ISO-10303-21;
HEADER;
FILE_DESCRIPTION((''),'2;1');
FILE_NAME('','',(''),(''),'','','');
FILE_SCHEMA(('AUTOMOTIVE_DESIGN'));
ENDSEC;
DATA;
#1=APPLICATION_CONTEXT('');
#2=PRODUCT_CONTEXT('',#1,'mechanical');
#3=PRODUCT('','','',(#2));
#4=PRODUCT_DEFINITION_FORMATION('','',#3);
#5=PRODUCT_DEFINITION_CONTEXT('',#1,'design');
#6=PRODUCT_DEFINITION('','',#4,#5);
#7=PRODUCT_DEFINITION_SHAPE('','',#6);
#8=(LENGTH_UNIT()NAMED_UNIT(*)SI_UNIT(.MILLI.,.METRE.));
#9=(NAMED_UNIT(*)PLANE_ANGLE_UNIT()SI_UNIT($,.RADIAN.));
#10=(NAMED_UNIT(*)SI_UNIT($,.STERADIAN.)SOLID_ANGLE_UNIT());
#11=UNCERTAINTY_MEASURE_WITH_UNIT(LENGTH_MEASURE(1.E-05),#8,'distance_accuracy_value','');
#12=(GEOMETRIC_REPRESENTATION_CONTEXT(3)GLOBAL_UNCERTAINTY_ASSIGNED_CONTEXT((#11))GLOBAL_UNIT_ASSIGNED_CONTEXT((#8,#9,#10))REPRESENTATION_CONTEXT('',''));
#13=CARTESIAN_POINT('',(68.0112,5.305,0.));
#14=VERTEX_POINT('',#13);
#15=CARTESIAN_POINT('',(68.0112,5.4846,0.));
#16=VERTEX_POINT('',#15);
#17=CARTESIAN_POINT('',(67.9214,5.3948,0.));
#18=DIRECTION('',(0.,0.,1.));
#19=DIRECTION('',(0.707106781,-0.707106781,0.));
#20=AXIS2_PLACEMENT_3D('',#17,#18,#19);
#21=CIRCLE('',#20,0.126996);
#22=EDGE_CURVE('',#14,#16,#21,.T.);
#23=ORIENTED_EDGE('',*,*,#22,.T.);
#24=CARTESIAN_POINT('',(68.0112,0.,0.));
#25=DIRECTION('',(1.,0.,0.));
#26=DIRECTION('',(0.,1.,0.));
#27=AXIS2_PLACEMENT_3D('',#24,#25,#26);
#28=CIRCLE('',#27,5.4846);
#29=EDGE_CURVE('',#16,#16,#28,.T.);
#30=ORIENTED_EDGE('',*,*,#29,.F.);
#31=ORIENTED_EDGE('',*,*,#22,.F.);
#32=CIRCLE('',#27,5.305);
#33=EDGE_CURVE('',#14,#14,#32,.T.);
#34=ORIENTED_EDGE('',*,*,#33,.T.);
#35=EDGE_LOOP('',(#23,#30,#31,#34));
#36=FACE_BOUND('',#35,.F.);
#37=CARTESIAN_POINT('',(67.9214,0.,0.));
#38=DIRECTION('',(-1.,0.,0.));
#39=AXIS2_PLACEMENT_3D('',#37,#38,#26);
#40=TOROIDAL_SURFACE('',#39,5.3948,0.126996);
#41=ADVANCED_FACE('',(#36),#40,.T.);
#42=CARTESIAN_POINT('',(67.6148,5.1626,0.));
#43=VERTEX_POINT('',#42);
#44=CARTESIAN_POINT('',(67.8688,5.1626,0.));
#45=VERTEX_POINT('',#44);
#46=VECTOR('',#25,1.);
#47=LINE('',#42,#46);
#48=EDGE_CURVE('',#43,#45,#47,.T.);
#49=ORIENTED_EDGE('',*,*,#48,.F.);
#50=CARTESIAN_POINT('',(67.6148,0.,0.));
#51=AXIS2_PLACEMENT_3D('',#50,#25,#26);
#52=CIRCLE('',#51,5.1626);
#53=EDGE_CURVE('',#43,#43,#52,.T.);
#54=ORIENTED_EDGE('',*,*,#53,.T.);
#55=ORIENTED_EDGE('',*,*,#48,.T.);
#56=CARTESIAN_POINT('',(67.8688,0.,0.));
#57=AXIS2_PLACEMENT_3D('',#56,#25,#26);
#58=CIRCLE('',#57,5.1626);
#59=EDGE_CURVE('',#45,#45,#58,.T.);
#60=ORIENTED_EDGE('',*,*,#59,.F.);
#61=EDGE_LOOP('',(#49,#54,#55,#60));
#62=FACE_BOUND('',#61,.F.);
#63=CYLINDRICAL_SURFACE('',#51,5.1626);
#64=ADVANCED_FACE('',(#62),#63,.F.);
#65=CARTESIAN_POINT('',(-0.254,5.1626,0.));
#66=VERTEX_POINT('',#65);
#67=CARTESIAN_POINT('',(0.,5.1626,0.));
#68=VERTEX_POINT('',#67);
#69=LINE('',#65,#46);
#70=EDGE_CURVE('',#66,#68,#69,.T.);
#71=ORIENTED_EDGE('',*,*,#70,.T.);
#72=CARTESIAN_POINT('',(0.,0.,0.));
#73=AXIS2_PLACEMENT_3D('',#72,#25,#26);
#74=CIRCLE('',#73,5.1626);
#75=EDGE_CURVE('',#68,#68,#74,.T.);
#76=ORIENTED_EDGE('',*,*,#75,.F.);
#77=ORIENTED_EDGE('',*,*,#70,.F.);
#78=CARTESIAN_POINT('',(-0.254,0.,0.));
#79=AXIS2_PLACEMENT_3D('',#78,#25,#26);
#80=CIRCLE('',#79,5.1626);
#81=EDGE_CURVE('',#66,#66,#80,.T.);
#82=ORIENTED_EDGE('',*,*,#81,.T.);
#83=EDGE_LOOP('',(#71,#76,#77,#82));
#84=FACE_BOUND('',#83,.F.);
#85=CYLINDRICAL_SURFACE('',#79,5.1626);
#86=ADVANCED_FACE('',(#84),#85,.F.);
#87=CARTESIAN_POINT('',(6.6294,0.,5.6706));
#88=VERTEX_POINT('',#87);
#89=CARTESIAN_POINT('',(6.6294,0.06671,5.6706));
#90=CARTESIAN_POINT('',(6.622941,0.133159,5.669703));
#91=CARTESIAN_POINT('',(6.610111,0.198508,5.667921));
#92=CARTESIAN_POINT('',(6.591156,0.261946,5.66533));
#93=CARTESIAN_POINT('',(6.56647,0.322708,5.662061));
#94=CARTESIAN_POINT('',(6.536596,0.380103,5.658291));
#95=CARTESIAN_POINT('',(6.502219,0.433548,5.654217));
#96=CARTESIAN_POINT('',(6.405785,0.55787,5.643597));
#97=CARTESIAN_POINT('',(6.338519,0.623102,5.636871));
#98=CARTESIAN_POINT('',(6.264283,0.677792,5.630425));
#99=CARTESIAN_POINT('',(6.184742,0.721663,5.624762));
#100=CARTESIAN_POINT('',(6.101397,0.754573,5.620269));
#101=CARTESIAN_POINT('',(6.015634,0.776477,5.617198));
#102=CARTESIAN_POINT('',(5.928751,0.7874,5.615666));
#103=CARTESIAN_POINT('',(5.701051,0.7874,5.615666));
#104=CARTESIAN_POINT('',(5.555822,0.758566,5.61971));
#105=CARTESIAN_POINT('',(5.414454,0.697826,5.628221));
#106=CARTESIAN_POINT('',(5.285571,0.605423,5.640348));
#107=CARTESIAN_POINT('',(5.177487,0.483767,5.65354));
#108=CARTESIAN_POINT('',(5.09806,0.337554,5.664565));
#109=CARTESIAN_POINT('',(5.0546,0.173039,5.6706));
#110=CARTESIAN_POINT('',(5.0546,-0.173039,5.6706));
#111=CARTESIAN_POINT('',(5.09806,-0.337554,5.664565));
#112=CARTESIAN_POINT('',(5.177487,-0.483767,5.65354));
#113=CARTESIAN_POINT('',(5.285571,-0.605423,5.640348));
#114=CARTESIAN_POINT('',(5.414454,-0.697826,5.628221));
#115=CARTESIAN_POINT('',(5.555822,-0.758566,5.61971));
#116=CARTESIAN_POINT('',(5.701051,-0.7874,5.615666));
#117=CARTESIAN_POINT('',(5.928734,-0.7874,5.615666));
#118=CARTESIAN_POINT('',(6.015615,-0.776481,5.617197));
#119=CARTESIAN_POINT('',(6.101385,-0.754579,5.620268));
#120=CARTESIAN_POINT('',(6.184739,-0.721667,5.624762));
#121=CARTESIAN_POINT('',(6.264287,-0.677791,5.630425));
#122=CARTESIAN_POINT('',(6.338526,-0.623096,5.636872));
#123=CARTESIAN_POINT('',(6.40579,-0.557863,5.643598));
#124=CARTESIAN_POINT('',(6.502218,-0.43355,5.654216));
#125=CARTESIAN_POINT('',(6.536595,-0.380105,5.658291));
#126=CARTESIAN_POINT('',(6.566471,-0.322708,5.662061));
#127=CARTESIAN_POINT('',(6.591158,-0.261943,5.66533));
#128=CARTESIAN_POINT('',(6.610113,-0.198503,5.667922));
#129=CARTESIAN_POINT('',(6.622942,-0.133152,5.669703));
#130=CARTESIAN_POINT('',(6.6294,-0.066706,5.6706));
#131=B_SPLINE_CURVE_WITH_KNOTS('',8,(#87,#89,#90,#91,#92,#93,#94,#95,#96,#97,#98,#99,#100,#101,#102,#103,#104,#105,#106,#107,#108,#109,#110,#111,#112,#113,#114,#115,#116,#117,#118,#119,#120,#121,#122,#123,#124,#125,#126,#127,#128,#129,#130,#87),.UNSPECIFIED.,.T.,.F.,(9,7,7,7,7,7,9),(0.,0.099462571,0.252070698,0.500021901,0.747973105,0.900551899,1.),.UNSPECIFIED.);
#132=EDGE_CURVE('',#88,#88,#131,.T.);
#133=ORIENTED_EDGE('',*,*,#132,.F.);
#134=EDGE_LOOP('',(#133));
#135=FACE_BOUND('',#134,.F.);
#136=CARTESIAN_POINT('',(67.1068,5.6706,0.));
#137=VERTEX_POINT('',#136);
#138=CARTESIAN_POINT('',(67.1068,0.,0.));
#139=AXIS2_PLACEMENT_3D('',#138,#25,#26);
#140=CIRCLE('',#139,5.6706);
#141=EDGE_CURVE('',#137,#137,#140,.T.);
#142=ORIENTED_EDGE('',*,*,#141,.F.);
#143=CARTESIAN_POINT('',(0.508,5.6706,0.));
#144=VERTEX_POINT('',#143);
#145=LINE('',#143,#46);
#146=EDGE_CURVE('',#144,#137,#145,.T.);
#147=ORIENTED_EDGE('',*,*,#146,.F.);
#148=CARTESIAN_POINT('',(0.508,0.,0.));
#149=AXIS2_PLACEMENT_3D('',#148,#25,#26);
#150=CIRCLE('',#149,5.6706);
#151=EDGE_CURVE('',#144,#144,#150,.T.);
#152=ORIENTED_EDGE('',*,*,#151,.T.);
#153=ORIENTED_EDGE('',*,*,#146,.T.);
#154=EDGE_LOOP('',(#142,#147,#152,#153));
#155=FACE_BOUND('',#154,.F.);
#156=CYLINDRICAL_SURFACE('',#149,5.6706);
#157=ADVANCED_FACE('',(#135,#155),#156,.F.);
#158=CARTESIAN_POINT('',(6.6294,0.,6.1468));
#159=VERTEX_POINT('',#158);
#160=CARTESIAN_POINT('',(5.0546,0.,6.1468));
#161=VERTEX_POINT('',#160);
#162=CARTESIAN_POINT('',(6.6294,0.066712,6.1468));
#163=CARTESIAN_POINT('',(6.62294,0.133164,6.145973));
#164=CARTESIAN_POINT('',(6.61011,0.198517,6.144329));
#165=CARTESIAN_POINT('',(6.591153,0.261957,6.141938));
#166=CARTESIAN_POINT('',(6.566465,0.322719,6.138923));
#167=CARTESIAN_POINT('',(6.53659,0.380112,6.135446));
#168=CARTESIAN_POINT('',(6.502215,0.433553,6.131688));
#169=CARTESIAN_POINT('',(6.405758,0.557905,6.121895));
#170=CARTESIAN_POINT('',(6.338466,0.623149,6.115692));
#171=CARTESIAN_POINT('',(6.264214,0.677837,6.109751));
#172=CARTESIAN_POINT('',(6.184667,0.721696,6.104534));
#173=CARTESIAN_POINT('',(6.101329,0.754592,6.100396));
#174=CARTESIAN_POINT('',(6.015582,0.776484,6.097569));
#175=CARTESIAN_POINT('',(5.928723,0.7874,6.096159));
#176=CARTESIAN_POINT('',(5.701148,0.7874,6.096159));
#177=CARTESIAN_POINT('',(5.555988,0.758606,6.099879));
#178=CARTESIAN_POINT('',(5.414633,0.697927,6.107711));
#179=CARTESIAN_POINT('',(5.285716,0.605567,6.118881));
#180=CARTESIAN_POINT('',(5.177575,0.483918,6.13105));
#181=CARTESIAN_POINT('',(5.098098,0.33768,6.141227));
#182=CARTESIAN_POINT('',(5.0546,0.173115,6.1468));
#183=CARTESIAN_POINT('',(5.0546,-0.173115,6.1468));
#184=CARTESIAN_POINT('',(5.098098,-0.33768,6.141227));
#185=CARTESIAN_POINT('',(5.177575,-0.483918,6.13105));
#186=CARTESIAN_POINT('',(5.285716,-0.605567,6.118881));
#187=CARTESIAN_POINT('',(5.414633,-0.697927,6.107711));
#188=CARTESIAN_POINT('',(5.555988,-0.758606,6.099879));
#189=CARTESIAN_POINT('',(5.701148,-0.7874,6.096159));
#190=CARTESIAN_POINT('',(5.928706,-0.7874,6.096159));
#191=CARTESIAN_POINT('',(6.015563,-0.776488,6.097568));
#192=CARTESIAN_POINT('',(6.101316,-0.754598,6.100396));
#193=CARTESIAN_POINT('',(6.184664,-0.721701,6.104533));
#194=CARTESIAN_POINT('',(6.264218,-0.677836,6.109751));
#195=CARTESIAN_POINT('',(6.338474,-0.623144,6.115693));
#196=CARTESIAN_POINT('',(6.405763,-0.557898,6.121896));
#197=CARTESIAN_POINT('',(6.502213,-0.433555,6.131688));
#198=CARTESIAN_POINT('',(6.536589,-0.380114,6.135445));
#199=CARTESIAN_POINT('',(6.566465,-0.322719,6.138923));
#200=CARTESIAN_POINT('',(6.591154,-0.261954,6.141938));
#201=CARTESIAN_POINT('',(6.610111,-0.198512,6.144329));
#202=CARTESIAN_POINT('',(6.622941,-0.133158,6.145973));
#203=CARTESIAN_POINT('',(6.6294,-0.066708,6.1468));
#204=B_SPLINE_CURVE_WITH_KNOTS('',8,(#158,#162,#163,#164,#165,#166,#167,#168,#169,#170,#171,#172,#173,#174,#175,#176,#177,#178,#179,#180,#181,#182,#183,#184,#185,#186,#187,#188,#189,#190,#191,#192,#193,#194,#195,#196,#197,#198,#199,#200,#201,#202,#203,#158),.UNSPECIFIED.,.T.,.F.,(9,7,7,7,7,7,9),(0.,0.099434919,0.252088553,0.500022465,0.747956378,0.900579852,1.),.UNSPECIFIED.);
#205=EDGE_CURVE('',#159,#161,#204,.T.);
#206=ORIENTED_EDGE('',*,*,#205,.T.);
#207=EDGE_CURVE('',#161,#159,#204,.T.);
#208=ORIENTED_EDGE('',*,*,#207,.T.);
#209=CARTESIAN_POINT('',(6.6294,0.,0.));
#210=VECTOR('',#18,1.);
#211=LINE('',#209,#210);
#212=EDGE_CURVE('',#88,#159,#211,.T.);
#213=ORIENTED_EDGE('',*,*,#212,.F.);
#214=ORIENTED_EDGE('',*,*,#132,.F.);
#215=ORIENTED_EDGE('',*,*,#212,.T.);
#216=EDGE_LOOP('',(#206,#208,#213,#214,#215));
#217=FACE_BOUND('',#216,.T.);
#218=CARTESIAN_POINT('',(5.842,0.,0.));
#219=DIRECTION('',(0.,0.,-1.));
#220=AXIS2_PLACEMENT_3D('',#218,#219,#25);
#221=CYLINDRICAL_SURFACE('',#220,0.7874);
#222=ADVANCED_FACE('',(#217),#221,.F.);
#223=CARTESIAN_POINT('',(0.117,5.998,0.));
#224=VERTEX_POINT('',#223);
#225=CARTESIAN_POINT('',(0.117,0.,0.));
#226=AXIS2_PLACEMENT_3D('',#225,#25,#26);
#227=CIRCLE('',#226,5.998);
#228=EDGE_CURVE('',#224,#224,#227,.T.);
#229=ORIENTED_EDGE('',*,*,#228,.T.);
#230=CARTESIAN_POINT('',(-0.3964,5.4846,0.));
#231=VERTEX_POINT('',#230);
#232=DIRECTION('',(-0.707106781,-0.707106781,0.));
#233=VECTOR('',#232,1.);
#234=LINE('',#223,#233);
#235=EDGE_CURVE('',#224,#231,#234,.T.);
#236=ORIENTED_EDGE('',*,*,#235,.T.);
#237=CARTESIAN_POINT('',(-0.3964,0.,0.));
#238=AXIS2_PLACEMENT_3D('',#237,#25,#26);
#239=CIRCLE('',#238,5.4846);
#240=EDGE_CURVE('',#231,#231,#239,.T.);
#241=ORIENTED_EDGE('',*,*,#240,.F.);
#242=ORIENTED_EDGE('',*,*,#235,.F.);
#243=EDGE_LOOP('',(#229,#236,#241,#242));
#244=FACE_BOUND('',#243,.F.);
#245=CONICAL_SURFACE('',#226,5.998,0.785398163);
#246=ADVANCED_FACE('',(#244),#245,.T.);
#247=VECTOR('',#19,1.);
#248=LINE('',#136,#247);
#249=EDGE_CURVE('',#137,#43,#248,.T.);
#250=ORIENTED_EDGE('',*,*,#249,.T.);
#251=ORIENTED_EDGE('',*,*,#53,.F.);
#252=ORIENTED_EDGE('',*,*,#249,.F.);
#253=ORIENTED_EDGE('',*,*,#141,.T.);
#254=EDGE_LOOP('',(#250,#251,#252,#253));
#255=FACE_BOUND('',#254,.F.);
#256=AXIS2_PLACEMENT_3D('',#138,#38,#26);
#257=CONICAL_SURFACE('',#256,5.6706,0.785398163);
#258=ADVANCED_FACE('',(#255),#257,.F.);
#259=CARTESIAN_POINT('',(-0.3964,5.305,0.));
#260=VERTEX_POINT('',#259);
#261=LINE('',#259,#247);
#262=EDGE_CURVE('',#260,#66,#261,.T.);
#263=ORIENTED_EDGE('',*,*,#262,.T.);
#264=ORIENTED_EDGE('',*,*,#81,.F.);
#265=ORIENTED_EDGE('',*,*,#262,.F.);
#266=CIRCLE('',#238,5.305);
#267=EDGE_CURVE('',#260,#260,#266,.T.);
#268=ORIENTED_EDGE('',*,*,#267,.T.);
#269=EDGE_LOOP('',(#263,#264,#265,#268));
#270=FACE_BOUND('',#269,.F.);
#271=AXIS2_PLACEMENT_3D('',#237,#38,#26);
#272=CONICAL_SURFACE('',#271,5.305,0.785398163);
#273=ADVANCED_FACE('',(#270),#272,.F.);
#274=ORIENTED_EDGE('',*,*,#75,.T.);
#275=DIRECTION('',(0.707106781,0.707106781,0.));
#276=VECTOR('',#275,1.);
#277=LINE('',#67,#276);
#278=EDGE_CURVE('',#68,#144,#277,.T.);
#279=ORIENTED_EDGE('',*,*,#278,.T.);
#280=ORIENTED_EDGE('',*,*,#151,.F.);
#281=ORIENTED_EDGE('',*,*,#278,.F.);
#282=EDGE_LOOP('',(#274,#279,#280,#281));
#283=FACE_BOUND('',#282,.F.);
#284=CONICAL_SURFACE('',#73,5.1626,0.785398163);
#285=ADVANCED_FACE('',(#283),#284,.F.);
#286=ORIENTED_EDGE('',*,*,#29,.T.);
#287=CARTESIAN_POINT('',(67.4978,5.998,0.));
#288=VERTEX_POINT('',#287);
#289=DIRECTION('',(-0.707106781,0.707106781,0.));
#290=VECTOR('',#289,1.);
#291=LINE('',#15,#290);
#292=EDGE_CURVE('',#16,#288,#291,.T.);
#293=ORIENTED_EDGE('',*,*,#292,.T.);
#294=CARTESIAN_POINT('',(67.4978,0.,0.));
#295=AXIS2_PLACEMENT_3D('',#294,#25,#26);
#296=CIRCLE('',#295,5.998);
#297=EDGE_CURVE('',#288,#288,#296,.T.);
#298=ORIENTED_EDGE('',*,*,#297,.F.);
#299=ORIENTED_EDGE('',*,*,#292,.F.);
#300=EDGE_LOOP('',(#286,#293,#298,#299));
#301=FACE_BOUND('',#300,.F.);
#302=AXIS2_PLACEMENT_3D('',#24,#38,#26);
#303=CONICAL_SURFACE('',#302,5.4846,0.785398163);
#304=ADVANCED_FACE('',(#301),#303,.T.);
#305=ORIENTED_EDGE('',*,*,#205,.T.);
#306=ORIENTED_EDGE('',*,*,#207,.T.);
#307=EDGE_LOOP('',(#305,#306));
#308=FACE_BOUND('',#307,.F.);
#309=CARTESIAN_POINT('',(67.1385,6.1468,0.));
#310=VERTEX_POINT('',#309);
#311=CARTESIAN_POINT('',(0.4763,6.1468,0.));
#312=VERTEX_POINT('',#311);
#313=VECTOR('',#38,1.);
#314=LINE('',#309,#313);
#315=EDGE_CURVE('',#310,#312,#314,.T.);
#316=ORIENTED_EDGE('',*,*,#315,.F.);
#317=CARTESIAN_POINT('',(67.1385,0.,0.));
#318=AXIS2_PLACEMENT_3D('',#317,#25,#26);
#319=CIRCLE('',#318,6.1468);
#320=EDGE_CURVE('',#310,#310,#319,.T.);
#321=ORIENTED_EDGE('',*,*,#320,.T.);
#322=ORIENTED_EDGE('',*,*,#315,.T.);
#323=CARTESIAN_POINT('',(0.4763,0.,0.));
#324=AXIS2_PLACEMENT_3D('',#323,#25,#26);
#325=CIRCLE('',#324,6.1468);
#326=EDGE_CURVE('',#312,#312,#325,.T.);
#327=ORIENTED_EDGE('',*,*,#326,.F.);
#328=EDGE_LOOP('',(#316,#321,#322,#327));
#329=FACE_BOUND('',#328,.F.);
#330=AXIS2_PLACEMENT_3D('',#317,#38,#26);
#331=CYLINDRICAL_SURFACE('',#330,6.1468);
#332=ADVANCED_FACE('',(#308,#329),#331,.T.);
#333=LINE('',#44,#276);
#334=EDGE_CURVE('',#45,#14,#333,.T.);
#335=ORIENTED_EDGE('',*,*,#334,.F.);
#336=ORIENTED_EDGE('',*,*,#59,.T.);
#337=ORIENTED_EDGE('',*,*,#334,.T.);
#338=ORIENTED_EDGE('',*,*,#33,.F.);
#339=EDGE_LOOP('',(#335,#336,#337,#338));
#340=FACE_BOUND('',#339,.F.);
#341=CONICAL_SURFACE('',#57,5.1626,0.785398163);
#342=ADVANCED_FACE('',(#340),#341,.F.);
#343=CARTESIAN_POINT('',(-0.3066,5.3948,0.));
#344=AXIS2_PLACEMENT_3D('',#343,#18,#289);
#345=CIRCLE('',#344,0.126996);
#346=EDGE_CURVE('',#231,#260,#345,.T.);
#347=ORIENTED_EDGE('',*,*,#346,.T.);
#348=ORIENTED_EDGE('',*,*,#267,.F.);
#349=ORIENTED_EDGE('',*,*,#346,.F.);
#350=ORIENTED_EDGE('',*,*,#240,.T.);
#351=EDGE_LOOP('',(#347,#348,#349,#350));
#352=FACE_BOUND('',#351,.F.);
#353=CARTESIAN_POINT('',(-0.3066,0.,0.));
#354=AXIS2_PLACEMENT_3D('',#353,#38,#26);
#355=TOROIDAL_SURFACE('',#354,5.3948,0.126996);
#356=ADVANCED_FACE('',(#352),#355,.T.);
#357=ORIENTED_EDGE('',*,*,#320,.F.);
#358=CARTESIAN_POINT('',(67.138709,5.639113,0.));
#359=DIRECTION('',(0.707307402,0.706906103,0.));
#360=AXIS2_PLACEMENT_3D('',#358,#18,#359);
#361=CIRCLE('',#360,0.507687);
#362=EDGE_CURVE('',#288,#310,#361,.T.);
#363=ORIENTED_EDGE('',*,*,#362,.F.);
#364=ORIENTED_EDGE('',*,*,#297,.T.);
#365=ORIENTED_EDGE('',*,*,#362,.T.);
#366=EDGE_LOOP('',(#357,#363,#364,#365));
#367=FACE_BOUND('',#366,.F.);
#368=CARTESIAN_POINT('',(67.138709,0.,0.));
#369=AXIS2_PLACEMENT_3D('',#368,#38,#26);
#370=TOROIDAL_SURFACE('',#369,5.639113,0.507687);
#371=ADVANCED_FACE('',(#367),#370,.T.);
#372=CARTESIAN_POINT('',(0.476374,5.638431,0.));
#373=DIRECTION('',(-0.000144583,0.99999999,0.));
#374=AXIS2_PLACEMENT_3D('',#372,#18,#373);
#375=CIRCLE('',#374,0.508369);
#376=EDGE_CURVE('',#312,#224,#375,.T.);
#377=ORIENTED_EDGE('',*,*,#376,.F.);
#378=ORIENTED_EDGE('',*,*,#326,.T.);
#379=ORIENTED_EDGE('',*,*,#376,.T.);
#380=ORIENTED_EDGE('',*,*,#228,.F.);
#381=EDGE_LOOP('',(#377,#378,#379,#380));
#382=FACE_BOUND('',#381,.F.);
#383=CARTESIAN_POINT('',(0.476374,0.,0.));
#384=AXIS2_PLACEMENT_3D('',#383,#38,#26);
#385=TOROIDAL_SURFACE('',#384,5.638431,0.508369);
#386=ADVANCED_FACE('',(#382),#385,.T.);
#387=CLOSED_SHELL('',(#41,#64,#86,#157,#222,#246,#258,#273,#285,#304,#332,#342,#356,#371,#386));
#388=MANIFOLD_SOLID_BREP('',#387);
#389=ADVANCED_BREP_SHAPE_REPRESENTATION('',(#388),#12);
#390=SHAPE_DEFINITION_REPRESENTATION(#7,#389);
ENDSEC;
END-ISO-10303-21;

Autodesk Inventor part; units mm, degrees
sketch "Sketch_1" plane through (0, 0, 0) normal (0, 0, 1) x (1, 0, 0)
  line L0 (67.6148, 0) -> (0, 0)
  arc A0 (-0.3964, 5.4846) -> (-0.3964, 5.305) centre (-0.3066, 5.3948) ccw
  line L1 (-0.3964, 5.305) -> (-0.254, 5.1626)
  line L2 (-0.254, 5.1626) -> (0, 5.1626)
  line L3 (0, 5.1626) -> (0.508, 5.6706)
  line L4 (0.508, 5.6706) -> (67.1068, 5.6706)
  line L5 (67.1068, 5.6706) -> (67.6148, 5.1626)
  line L6 (67.6148, 5.1626) -> (67.8688, 5.1626)
  line L7 (67.8688, 5.1626) -> (68.0112, 5.305)
  arc A1 (68.0112, 5.305) -> (68.0112, 5.4846) centre (67.9214, 5.3948) ccw
  line L8 (68.0112, 5.4846) -> (67.4978, 5.998)
  arc A2 (67.4978, 5.998) -> (67.1385, 6.1468) centre (67.1385, 5.6388) ccw
  line L9 (67.1385, 6.1468) -> (0.4763, 6.1468)
  arc A3 (0.4763, 6.1468) -> (0.117, 5.998) centre (0.4763, 5.6388) ccw
  line L10 (0.117, 5.998) -> (-0.3964, 5.4846)
revolve "Revolution1" add sketch "Sketch_1" angle 360 about axis through (67.6148, 0, 0) along (1, 0, 0)
sketch "Sketch_4" plane through (0, 0, 0) normal (0, 0, 1) x (1, 0, 0)
  circle A0 centre (5.842, 0) radius 0.7874
extrude "Extrusion1" cut sketch "Sketch_4" along normal blind 6.1468
ref_plane "cp1_XY" through (33.8074, 6.1468, 0) normal (1, 0, 0) x (0, 0, -1)
ref_plane "cp1_YZ" through (33.8074, 6.1468, 0) normal (0, 0, -1) x (0, 1, 0)
ref_plane "cp1_ZX" through (33.8074, 6.1468, 0) normal (0, 1, 0) x (1, 0, 0)
ref_plane "cp2_XY" through (33.8074, 0, -6.1468) normal (1, 0, 0) x (0, 0, -1)
ref_plane "cp2_YZ" through (33.8074, 0, -6.1468) normal (0, 0, -1) x (0, 1, 0)
ref_plane "cp2_ZX" through (33.8074, 0, -6.1468) normal (0, 1, 0) x (1, 0, 0)
ref_plane "cp3_XY" through (33.8074, -6.1468, 0) normal (1, 0, 0) x (0, 0, -1)
ref_plane "cp3_YZ" through (33.8074, -6.1468, 0) normal (0, 0, -1) x (0, 1, 0)
ref_plane "cp3_ZX" through (33.8074, -6.1468, 0) normal (0, 1, 0) x (1, 0, 0)
ref_plane "cp4_XY" through (33.8074, 0, 6.1468) normal (1, 0, 0) x (0, 0, -1)
ref_plane "cp4_YZ" through (33.8074, 0, 6.1468) normal (0, 0, -1) x (0, 1, 0)
ref_plane "cp4_ZX" through (33.8074, 0, 6.1468) normal (0, 1, 0) x (1, 0, 0)
ref_plane "tube_front_XY" through (0, 0, 0) normal (1, 0, 0) x (0, 0, -1)
ref_plane "tube_front_YZ" through (0, 0, 0) normal (0, 0, -1) x (0, 1, 0)
ref_plane "tube_front_ZX" through (0, 0, 0) normal (0, 1, 0) x (1, 0, 0)
ref_plane "tube_rear_XY" through (67.6148, 0, 0) normal (1, 0, 0) x (0, 0, -1)
ref_plane "tube_rear_YZ" through (67.6148, 0, 0) normal (0, 0, -1) x (0, 1, 0)
ref_plane "tube_rear_ZX" through (67.6148, 0, 0) normal (0, 1, 0) x (1, 0, 0)
properties part number "01-2.6622"
